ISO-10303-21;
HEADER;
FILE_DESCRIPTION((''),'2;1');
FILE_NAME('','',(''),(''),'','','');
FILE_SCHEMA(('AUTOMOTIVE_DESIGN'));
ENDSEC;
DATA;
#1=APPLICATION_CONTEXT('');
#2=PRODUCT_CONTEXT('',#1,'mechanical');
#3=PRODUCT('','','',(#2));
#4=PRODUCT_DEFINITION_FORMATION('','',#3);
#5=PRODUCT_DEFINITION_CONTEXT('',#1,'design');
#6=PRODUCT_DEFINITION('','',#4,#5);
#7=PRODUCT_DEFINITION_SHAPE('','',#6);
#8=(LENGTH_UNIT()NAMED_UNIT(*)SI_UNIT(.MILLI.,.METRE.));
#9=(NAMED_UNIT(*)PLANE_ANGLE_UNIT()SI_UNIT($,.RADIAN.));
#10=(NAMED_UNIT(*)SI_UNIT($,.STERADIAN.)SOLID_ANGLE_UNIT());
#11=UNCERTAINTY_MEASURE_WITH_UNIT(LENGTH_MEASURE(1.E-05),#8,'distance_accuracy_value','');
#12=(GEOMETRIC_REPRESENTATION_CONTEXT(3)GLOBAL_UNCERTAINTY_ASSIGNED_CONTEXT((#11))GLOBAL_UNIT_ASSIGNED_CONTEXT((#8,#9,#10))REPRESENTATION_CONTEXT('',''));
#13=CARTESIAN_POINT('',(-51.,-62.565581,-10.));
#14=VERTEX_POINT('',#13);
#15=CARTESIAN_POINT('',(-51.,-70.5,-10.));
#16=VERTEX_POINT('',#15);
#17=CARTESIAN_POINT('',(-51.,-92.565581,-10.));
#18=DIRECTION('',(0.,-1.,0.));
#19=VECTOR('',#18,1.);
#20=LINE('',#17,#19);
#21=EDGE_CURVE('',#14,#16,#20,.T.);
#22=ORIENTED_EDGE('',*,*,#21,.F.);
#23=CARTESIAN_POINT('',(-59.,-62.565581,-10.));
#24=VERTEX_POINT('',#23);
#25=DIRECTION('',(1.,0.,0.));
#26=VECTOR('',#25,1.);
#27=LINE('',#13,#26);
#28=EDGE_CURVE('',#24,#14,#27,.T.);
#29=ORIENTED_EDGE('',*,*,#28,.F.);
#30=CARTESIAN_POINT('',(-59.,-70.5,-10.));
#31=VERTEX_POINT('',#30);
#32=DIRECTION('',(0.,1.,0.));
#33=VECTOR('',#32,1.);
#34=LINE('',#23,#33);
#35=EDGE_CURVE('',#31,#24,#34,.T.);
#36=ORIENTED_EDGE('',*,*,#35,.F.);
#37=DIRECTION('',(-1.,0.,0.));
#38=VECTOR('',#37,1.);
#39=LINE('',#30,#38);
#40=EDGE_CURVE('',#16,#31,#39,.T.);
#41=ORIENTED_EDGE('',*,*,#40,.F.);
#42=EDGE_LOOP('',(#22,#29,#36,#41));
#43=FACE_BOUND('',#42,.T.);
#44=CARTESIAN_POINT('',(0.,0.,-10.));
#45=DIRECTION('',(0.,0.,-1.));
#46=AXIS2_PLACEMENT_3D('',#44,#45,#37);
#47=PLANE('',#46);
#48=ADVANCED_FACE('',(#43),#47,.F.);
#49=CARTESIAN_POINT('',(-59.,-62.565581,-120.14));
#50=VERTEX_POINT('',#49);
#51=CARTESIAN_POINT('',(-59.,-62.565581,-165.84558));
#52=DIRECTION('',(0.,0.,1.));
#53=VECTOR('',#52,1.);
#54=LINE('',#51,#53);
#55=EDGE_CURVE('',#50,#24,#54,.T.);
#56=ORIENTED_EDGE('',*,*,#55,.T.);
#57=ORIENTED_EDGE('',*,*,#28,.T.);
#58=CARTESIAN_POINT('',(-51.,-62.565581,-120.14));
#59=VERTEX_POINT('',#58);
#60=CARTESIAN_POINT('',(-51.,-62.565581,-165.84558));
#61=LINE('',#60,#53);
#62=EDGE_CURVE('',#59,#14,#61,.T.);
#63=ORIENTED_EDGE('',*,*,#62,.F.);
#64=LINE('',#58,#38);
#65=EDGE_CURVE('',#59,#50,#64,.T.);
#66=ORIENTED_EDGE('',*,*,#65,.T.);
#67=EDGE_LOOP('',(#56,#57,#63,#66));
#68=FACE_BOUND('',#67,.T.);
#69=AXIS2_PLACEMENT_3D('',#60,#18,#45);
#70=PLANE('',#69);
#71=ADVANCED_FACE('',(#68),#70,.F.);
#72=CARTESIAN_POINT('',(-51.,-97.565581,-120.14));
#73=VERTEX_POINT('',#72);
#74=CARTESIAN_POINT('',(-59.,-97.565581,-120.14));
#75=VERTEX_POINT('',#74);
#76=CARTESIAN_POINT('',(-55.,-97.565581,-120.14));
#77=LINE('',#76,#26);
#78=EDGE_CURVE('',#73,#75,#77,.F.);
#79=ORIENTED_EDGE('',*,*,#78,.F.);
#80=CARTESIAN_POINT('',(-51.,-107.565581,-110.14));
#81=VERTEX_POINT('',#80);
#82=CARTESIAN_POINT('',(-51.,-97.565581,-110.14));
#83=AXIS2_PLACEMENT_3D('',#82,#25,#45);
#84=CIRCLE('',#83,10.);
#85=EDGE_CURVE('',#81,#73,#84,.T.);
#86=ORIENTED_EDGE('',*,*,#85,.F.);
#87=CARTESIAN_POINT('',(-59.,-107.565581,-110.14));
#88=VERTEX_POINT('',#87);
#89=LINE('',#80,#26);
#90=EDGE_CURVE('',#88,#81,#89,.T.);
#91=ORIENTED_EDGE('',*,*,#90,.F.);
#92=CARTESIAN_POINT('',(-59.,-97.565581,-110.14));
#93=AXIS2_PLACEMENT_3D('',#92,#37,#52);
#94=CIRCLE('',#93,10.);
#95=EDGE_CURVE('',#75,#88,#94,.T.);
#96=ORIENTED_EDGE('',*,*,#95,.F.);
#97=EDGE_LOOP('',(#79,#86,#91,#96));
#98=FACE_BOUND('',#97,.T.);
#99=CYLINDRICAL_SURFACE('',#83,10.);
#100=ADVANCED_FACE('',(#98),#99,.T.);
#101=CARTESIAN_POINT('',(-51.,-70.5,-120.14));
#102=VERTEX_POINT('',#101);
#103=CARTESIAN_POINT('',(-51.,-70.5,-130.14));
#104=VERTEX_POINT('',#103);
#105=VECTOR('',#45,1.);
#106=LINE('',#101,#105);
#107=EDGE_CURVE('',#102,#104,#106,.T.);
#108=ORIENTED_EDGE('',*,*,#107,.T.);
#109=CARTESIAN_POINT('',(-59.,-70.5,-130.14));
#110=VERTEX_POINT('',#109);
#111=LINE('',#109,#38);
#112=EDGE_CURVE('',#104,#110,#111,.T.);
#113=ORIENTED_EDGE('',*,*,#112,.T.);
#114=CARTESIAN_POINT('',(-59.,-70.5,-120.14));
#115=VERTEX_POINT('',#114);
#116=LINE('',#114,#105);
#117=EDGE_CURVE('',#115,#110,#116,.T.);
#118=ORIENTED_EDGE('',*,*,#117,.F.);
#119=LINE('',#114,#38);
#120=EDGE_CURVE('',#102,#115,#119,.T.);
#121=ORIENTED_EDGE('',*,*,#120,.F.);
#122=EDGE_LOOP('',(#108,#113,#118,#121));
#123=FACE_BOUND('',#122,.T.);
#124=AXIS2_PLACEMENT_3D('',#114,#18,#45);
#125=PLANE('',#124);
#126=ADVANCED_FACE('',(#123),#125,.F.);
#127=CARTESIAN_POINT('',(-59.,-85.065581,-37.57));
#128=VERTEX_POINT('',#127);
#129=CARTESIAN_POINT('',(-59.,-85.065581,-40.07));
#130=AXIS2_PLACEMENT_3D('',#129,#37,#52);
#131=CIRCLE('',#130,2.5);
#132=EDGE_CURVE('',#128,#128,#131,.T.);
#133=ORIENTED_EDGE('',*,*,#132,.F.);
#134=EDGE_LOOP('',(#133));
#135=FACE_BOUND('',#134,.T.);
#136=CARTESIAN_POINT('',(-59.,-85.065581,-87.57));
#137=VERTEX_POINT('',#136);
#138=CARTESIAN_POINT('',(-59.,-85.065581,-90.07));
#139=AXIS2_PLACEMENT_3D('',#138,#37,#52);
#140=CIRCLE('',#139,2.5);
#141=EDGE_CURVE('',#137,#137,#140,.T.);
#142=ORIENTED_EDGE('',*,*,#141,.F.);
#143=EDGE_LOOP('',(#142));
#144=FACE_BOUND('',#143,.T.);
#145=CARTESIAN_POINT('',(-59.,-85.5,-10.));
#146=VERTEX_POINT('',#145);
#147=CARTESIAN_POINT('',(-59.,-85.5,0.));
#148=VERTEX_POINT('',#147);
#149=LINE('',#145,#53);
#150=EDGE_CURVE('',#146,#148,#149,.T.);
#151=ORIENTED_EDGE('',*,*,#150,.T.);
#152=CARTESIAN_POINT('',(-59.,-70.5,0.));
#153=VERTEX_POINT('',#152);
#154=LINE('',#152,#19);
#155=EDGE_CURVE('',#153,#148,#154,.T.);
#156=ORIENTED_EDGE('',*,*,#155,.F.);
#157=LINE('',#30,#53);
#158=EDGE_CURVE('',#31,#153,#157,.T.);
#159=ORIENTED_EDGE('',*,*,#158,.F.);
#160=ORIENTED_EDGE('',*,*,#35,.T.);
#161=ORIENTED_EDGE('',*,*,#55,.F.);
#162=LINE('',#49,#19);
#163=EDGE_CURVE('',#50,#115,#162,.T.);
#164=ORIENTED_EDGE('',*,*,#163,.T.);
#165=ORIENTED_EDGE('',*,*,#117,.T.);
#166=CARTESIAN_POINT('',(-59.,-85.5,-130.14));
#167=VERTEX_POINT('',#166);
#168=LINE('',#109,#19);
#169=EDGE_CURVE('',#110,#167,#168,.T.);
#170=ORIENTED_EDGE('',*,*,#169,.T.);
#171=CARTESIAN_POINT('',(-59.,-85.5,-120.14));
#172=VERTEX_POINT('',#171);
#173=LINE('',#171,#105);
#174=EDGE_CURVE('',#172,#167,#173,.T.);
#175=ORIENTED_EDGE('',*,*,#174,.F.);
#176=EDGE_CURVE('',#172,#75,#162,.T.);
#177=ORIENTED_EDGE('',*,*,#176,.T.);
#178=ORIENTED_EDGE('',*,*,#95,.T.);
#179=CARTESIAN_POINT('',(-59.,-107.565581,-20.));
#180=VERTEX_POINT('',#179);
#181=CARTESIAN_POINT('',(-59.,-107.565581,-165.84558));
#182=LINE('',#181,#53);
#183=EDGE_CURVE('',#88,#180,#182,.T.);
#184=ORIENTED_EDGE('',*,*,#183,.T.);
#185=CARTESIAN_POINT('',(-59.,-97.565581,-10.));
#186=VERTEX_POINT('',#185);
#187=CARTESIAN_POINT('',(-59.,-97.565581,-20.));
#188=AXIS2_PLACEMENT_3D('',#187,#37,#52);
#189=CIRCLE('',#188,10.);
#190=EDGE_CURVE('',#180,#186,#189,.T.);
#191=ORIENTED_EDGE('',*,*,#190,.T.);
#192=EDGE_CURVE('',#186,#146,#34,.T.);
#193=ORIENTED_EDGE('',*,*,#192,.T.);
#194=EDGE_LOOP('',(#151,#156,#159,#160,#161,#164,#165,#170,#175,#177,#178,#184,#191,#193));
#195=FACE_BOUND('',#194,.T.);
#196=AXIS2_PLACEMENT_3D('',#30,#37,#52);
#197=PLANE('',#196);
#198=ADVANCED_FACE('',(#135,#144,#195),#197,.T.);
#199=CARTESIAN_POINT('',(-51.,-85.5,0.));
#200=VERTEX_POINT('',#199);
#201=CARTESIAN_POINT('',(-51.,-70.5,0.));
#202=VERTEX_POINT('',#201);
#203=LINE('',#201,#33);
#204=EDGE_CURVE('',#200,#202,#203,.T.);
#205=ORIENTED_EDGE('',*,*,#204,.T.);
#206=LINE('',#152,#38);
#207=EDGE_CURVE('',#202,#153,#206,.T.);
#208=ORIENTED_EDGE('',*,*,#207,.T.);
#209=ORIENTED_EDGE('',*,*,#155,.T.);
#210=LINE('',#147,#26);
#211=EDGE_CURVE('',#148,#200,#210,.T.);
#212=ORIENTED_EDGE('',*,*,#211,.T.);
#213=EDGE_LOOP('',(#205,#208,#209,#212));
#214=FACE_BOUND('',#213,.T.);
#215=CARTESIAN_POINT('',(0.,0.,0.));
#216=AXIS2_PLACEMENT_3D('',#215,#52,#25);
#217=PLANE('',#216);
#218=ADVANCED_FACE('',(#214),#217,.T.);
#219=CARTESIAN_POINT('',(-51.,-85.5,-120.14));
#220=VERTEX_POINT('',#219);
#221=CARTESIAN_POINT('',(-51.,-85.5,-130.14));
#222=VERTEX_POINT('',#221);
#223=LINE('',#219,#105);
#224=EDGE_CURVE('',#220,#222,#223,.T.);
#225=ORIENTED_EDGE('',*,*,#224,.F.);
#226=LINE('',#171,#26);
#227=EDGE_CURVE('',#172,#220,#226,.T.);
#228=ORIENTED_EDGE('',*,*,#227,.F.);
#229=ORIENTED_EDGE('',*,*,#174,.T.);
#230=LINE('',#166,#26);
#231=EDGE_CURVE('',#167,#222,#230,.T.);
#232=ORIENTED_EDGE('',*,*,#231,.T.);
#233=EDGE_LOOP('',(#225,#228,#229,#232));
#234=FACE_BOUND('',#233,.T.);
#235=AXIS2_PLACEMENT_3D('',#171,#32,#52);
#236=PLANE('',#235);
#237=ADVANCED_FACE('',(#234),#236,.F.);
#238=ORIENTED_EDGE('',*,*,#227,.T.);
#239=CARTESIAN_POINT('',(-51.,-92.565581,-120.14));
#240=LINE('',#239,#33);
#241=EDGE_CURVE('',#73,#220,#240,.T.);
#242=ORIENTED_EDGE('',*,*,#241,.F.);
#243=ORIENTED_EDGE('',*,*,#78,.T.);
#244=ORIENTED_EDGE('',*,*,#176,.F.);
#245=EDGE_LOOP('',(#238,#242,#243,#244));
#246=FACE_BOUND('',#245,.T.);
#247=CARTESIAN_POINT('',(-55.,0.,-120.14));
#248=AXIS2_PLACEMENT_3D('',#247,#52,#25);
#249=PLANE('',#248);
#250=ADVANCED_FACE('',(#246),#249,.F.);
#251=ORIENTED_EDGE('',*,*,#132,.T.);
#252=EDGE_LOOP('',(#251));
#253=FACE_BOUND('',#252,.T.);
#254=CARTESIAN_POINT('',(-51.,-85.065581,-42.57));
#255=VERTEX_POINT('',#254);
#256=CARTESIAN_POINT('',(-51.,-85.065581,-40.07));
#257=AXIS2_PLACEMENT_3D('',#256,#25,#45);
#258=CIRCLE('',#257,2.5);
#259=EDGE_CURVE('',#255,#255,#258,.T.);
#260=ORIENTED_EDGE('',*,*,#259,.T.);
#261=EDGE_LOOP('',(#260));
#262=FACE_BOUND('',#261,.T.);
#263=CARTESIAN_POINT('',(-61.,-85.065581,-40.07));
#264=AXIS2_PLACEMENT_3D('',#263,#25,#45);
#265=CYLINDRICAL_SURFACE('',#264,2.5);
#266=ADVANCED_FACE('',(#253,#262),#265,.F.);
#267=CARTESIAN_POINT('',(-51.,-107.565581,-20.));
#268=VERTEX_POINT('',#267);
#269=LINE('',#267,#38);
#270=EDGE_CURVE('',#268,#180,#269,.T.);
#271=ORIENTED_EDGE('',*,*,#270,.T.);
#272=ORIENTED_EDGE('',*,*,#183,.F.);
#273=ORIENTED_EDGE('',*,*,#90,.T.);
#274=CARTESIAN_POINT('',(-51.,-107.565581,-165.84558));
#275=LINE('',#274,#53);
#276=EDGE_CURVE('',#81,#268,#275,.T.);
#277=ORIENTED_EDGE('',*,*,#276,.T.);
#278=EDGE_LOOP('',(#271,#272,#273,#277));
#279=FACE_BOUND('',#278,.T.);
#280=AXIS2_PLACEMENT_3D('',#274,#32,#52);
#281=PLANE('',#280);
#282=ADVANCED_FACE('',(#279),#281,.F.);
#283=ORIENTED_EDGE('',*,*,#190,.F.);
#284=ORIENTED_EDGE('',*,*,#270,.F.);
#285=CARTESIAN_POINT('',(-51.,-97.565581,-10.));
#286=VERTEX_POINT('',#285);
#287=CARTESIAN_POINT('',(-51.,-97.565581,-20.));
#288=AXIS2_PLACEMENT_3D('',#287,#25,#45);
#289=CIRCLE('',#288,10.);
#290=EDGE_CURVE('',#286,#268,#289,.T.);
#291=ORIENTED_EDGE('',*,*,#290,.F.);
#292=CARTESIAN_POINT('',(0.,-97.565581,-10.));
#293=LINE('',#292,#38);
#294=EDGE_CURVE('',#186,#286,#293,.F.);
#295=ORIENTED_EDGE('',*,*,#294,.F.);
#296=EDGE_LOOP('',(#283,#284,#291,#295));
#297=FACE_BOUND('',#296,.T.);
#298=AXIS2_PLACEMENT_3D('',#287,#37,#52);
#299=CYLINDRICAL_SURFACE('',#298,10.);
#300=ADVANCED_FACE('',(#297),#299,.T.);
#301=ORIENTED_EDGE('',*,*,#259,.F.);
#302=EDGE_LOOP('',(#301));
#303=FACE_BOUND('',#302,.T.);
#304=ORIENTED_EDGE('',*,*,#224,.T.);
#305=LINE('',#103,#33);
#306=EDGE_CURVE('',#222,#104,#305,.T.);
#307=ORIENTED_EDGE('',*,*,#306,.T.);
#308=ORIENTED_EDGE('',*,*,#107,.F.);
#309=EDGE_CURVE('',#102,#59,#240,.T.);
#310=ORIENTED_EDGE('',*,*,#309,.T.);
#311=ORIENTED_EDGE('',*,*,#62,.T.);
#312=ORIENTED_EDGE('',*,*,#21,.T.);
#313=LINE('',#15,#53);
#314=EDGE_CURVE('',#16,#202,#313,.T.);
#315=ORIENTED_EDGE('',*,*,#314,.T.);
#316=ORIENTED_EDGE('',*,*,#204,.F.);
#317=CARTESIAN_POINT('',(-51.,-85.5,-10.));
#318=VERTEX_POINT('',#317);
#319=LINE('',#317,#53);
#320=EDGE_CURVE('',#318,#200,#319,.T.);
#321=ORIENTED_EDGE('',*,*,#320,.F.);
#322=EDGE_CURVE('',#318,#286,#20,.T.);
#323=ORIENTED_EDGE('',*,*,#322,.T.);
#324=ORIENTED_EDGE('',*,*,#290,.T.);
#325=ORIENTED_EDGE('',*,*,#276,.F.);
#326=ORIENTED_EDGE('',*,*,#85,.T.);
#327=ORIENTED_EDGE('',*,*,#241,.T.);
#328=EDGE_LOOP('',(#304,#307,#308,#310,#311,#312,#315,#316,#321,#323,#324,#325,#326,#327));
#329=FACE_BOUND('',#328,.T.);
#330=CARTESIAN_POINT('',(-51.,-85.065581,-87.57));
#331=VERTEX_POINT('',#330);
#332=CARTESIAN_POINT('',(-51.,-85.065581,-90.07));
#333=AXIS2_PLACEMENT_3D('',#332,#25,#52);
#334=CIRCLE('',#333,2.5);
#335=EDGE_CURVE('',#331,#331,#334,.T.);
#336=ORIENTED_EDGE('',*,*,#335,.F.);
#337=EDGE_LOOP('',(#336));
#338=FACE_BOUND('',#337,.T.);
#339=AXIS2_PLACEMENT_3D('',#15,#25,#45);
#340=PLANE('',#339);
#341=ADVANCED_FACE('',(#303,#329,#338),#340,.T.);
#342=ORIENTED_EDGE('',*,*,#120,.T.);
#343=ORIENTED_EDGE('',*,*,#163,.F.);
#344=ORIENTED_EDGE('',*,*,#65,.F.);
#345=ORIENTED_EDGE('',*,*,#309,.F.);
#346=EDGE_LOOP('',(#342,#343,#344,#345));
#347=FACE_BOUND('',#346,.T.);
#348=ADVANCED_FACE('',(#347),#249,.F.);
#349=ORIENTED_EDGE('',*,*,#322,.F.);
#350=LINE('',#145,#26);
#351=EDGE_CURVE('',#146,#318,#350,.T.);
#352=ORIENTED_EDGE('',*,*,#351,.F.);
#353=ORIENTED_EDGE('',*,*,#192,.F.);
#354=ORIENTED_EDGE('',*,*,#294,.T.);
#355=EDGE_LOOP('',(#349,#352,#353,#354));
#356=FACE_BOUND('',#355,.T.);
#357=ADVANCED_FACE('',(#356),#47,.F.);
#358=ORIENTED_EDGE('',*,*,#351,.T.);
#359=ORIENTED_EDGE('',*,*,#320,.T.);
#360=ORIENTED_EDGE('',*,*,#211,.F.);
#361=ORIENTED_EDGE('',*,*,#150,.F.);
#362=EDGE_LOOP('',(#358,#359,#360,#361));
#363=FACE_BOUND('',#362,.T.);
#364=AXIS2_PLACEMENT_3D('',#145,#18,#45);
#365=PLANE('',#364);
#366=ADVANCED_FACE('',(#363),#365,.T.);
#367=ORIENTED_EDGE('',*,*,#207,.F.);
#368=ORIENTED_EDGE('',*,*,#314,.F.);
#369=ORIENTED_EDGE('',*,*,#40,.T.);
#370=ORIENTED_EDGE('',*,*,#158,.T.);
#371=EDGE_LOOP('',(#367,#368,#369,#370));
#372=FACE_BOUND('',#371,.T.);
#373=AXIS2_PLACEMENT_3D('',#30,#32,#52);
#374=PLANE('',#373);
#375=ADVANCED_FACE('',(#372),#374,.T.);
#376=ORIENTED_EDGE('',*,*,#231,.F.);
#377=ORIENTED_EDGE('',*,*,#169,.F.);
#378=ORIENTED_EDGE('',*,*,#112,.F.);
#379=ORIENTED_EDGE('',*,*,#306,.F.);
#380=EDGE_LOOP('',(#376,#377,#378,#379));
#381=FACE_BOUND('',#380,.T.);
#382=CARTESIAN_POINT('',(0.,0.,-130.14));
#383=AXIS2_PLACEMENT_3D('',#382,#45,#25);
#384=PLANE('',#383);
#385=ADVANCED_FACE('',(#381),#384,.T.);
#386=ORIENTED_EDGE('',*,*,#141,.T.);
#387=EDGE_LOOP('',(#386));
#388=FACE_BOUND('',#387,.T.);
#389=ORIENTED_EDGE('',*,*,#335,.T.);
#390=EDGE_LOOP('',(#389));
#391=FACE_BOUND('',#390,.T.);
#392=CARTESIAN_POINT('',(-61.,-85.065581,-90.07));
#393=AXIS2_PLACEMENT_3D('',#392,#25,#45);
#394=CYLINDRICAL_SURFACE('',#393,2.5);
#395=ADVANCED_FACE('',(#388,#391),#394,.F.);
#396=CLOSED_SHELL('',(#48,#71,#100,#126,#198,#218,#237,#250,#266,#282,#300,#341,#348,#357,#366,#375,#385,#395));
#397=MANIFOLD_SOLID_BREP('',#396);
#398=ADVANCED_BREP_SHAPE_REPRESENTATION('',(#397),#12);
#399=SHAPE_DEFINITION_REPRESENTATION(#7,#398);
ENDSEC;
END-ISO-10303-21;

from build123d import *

# Parameters (mm, degrees)
SKETCH1_W           = 8
SKETCH1_H           = 15
BOSS_EXTRUDE1_DEPTH = 10
BOSS_EXTRUDE2_DEPTH = 110.14
FILLET1_R           = 10
SKETCH4_R           = 2.5
CUT_EXTRUDE1_DEPTH  = 10


with BuildPart() as part:
    # Sketch1 → Boss-Extrude1 (new body)
    with BuildSketch(Plane.XY):
        with Locations((-55, -78)):
            Rectangle(SKETCH1_W, SKETCH1_H)
    boss_extrude1 = extrude(amount=-BOSS_EXTRUDE1_DEPTH)

    # Sketch2 → Boss-Extrude2 (add)
    with BuildSketch(Plane(origin=(0, 0, -10), x_dir=(-1, 0, 0), z_dir=(0, 0, -1))):
        Polygon((51, -62.565581077), (59, -62.565581077), (59, -92.565581077), (59, -107.565581077), (51, -107.565581077), (51, -92.565581077), align=None)
    extrude(amount=BOSS_EXTRUDE2_DEPTH)

    # Fillet1
    fillet1_edges = [part.edges().sort_by_distance(p)[0] for p in [
        (-55, -107.565581077, -120.14),
        (-55, -107.565581077, -10),
    ]]
    fillet(fillet1_edges, radius=FILLET1_R)

    # Mirror1: Boss-Extrude1 across plane
    add(boss_extrude1.mirror(Plane.XY.offset(-65.07)))

    # Sketch4 → Cut-Extrude1 (cut)
    with BuildSketch(Plane(origin=(-51, 0, 0), x_dir=(0, 0, -1), z_dir=(1, 0, 0))):
        with Locations((40.07, -85.065581077)):
            Circle(SKETCH4_R)
        with Locations(Location((90.07, -85.065581077, 0), (0, 0, 180))):
            Circle(SKETCH4_R)
    extrude(amount=-CUT_EXTRUDE1_DEPTH, mode=Mode.SUBTRACT)


solid = part.part
